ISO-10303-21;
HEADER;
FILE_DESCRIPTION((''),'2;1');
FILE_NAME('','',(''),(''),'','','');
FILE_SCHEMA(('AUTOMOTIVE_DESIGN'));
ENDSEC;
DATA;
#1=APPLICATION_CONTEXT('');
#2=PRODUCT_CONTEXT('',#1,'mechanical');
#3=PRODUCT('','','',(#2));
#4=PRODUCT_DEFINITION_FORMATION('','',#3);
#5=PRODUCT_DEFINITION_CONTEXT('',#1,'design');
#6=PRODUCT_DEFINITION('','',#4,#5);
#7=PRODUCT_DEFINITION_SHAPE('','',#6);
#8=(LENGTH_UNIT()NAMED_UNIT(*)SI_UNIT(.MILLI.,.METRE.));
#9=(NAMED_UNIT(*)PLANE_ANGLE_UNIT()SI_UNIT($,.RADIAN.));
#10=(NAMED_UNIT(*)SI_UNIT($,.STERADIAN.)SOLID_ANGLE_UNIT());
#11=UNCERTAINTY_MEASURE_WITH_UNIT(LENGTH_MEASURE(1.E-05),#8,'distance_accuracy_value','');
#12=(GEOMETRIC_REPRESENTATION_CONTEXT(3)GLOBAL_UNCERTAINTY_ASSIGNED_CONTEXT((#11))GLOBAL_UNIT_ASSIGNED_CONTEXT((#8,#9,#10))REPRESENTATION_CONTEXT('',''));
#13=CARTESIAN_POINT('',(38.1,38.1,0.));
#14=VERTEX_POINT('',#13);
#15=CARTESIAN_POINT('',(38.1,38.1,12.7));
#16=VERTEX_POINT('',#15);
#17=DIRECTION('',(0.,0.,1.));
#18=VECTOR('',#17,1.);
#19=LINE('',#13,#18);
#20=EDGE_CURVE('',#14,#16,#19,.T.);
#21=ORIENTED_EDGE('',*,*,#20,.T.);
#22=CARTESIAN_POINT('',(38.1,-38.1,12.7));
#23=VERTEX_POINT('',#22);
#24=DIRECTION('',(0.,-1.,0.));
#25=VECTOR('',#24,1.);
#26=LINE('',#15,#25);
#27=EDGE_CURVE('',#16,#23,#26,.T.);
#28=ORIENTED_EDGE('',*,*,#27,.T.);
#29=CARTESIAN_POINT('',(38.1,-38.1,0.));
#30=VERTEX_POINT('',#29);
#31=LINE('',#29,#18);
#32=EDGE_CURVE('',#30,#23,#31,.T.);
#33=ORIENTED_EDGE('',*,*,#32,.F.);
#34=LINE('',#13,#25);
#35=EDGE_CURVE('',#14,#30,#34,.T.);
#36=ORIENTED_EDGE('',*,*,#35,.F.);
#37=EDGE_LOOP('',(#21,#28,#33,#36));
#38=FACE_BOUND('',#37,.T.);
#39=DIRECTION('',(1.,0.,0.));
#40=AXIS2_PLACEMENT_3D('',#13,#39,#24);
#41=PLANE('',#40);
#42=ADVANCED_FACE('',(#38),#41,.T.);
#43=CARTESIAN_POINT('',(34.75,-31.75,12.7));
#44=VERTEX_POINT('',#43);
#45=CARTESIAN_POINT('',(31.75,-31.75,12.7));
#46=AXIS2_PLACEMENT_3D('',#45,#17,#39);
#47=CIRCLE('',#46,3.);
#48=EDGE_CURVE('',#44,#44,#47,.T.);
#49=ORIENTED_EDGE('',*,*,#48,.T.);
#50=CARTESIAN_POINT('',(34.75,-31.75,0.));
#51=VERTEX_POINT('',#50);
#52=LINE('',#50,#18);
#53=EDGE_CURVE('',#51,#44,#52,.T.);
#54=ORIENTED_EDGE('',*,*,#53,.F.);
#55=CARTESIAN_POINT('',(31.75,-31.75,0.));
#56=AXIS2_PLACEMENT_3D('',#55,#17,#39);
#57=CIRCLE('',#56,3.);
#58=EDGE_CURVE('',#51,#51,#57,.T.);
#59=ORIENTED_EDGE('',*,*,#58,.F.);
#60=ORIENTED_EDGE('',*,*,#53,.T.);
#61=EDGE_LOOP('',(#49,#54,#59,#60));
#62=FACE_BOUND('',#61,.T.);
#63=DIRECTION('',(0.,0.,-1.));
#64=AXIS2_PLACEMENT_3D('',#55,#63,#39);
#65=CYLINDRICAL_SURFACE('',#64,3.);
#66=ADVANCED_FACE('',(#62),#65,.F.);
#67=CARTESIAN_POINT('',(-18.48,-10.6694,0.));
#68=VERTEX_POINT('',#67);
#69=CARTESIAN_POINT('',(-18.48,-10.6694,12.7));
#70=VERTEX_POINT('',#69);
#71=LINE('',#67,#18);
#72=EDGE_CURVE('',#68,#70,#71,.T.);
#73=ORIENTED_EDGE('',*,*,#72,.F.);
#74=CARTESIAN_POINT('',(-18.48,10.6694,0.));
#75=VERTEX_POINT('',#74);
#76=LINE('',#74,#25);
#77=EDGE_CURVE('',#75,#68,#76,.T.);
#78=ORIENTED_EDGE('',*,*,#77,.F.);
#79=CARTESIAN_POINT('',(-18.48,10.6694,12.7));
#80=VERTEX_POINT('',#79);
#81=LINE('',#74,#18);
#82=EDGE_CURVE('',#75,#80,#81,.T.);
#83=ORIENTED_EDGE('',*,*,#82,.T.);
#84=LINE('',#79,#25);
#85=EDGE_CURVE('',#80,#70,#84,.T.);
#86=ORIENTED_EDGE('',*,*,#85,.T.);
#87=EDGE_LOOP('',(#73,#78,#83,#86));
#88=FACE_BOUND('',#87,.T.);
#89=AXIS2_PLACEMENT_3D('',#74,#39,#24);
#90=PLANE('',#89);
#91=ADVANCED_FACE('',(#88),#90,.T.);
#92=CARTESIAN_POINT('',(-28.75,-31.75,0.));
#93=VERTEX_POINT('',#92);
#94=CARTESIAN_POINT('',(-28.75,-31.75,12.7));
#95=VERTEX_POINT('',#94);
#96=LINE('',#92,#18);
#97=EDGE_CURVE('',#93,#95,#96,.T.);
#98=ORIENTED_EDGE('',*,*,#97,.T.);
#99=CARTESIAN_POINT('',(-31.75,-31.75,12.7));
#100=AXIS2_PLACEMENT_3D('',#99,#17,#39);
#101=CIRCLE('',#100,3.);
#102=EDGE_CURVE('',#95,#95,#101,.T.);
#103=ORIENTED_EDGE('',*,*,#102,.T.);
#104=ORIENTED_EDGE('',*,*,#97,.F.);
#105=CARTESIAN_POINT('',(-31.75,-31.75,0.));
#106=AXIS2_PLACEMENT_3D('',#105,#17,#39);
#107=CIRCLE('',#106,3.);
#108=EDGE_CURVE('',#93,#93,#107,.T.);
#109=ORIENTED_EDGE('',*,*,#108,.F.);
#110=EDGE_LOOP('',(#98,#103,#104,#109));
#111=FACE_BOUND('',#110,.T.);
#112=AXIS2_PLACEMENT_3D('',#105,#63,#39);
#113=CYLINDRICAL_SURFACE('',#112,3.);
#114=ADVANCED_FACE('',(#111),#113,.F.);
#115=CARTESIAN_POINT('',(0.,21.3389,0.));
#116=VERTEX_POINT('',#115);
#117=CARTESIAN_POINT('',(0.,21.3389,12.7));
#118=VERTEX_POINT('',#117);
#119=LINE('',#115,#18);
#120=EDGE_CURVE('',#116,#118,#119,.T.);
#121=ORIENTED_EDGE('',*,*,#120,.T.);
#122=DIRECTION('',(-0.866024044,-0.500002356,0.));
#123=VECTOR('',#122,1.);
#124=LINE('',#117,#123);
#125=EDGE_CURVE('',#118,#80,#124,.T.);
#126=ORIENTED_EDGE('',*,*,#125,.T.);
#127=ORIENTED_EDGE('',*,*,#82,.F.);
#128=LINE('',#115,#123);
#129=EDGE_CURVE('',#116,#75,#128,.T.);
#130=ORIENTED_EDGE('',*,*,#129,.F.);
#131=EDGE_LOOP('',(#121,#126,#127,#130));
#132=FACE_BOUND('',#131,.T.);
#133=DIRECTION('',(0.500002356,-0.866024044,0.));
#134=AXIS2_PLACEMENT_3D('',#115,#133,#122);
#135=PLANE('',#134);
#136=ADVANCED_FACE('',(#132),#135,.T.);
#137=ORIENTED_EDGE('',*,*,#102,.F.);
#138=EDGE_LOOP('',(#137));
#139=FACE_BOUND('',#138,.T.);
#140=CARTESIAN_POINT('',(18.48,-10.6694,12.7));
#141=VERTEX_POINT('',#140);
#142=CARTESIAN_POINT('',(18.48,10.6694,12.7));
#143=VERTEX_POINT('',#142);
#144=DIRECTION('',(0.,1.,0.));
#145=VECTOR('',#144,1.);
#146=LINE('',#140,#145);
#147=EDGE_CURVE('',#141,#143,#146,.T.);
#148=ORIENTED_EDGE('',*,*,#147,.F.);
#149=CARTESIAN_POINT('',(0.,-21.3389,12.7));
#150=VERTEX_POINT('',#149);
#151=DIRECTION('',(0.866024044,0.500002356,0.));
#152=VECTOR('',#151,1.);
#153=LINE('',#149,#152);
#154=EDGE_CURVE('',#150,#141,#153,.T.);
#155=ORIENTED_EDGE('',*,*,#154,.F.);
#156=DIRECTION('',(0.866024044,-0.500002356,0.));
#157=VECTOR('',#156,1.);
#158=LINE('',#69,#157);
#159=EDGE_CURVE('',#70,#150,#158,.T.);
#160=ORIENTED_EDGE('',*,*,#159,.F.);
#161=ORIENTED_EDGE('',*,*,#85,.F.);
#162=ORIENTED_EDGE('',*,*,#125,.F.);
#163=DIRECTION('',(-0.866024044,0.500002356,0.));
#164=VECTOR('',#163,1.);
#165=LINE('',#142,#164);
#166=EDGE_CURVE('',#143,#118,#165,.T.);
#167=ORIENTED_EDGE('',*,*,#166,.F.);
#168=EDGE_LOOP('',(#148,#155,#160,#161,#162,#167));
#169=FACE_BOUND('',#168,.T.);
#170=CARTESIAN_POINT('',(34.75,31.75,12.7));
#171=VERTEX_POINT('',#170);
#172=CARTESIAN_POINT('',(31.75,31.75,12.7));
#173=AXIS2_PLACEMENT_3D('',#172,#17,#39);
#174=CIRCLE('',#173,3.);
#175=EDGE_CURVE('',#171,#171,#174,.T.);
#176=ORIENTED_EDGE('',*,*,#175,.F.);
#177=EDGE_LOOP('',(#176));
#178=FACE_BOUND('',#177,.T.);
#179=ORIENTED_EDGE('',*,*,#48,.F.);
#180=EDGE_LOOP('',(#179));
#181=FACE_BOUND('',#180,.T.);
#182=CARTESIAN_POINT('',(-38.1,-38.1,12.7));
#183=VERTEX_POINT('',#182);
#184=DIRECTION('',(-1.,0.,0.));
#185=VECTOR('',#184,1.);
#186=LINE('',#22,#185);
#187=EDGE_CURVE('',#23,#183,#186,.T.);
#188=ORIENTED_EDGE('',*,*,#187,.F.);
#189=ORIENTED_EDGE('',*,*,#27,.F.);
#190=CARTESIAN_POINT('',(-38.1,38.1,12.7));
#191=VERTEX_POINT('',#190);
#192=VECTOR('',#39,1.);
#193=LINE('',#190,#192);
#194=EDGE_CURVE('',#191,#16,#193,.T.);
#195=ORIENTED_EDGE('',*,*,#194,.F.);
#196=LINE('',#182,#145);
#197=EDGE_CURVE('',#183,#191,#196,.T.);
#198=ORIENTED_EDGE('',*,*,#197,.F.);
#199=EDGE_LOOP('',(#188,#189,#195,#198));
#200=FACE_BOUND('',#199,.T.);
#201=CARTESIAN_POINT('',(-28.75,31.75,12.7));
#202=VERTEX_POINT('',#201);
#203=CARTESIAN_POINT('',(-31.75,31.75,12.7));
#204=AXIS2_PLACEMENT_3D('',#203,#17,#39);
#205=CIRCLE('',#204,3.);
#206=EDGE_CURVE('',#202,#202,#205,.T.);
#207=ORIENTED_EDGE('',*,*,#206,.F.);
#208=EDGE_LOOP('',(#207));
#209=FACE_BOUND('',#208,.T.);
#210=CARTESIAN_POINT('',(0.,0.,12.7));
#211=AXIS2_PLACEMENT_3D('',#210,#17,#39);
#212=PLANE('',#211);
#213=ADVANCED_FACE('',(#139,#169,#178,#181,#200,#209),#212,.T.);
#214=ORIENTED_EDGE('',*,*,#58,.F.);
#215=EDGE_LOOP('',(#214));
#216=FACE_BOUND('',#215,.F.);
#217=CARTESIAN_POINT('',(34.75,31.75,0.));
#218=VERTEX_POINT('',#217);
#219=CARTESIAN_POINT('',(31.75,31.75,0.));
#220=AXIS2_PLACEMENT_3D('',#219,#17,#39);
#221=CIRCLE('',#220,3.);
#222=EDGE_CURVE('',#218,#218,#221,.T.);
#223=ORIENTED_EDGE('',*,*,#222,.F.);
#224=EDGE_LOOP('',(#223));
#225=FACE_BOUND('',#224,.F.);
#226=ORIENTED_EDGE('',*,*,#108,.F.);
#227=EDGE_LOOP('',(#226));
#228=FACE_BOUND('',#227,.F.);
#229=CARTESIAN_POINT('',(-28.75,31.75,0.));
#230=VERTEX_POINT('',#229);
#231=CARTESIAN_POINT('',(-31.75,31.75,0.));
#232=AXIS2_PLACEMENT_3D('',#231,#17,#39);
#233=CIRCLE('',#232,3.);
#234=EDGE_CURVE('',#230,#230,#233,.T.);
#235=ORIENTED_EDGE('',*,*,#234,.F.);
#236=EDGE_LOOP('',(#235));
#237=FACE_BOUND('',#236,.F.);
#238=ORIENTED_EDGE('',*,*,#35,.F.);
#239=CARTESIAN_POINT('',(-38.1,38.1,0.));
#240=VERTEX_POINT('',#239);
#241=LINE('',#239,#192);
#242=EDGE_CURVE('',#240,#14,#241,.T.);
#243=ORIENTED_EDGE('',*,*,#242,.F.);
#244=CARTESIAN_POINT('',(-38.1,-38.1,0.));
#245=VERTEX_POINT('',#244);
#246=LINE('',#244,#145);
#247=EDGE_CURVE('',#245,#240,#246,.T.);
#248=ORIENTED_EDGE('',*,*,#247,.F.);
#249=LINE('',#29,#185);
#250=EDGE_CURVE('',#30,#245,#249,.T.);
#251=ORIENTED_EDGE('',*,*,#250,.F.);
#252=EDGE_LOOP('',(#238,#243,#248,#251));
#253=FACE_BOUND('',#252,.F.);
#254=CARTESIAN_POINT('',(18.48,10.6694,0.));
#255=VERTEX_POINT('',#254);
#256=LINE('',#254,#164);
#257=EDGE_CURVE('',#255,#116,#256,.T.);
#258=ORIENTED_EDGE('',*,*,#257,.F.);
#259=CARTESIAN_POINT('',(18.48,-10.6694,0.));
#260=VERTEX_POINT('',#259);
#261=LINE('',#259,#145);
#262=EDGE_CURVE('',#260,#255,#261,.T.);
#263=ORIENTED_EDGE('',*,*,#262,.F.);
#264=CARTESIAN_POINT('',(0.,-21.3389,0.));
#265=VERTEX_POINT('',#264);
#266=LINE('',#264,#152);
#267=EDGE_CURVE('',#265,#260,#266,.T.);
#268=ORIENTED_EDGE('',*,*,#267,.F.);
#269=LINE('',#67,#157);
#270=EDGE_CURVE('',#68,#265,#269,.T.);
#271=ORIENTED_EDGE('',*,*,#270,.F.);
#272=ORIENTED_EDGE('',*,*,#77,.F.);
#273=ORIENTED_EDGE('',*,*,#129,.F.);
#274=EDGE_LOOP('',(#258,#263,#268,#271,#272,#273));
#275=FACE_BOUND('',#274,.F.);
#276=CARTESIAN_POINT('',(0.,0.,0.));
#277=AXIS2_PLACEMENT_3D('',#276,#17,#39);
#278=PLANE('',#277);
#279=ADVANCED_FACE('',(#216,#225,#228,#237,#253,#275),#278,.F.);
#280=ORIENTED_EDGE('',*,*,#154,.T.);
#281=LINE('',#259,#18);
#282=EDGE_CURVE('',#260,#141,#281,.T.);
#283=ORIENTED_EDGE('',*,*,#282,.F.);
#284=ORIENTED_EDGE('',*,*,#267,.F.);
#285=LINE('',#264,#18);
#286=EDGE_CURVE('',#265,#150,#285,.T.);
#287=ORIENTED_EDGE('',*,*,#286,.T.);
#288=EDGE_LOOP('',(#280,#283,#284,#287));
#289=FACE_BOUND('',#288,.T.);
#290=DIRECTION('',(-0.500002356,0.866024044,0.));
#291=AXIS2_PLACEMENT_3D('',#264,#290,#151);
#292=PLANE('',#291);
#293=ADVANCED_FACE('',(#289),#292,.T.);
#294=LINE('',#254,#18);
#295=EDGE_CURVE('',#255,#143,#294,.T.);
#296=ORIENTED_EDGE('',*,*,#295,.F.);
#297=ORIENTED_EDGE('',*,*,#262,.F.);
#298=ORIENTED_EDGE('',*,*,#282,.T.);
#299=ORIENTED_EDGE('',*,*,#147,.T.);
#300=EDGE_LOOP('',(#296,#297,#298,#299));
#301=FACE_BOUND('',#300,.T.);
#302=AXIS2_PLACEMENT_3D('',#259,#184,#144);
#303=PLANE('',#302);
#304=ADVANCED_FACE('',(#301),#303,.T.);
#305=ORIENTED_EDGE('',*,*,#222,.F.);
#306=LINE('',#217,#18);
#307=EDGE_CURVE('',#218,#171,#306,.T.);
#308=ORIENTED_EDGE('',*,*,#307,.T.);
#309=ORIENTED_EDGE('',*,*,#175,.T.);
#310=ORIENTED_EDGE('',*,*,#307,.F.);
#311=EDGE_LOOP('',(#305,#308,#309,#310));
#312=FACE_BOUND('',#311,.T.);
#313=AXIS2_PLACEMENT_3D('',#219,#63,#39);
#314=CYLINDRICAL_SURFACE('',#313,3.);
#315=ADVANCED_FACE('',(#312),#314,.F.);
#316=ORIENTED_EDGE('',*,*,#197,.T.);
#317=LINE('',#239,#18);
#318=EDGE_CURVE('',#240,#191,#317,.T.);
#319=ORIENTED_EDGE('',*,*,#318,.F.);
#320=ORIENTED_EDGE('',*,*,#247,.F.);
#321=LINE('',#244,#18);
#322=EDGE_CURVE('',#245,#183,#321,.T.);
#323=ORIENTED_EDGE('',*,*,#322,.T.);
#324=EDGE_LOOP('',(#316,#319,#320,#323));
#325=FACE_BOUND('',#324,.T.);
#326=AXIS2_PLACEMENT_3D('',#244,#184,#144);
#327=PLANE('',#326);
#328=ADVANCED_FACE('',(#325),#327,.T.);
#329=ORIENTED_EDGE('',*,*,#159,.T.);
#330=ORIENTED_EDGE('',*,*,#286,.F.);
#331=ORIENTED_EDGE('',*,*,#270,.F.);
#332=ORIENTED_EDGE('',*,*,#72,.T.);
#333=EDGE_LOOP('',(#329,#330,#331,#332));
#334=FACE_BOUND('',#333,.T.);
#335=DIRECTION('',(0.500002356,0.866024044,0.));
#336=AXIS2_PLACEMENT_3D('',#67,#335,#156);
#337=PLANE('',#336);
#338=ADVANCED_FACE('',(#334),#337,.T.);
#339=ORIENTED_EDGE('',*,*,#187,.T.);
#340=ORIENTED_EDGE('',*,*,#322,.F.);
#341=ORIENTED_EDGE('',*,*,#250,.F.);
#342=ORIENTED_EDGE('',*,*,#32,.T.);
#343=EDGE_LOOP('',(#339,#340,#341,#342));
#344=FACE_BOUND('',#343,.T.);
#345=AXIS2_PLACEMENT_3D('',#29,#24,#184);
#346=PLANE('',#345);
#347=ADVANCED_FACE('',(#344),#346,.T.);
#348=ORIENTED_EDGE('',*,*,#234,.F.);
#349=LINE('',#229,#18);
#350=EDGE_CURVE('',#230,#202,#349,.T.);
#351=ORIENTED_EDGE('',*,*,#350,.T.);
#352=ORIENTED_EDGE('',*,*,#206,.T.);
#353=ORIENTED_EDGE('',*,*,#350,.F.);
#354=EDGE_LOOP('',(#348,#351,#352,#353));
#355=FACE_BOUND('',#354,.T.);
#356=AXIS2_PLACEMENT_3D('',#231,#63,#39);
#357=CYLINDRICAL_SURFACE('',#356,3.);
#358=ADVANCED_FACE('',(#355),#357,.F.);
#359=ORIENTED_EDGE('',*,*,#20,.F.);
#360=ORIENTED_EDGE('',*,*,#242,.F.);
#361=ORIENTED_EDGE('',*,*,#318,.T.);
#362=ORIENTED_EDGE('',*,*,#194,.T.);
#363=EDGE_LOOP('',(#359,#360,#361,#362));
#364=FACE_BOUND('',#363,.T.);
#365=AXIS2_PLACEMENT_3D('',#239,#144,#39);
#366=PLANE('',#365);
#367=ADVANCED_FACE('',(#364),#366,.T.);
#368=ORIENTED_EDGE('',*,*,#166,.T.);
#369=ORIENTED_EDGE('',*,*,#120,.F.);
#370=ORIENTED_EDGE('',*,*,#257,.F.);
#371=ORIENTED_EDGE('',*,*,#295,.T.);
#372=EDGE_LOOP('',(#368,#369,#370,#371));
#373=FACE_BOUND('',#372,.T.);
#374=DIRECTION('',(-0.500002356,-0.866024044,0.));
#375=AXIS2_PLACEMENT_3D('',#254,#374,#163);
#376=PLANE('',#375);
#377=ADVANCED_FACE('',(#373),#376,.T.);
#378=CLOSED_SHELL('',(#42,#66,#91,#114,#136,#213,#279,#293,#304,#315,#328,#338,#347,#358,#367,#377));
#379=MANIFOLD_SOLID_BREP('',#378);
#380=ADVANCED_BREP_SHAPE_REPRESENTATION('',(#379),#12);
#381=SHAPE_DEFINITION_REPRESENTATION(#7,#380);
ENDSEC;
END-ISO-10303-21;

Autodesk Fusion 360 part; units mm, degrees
sketch "Sketch1" plane through (0, 0, 0) normal (0, 0, 1) x (1, 0, 0)
  line L0 (18.48, 10.6694) -> (0, 21.3389)
  line L1 (0, 21.3389) -> (-18.48, 10.6694)
  line L2 (-18.48, 10.6694) -> (-18.48, -10.6694)
  line L3 (-18.48, -10.6694) -> (0, -21.3389)
  line L4 (0, -21.3389) -> (18.48, -10.6694)
  line L5 (18.48, -10.6694) -> (18.48, 10.6694)
  line L6 (38.1, -38.1) -> (-38.1, -38.1)
  line L7 (-38.1, -38.1) -> (-38.1, 38.1)
  line L8 (-38.1, 38.1) -> (38.1, 38.1)
  line L9 (38.1, 38.1) -> (38.1, -38.1)
  line L10 (38.1, -38.1) -> (-38.1, 38.1) construction
  line L11 (-38.1, -38.1) -> (38.1, 38.1) construction
  line L12 (31.75, 31.75) -> (-31.75, 31.75) construction
  line L13 (-31.75, 31.75) -> (-31.75, -31.75) construction
  line L14 (-31.75, -31.75) -> (31.75, -31.75) construction
  line L15 (31.75, -31.75) -> (31.75, 31.75) construction
  line L16 (31.75, 31.75) -> (-31.75, -31.75) construction
  line L17 (-31.75, 31.75) -> (31.75, -31.75) construction
  circle A0 centre (-31.75, 31.75) radius 3
  circle A1 centre (-31.75, -31.75) radius 3
  circle A2 centre (31.75, -31.75) radius 3
  circle A3 centre (31.75, 31.75) radius 3
  dimension "d1" = 18.48
  dimension "d2" = 76.2
  dimension "d3" = 76.2
  dimension "d4" = 63.5
  dimension "d5" = 63.5
  dimension "d6" = 6
  dimension "d8" = 360
extrude "Extrude1" add sketch "Sketch1" along normal blind 12.7
sketch "Sketch2" plane through (0, 0, 12.7) normal (0, 0, 1) x (-1, 0, 0)
  circle A0 centre (31.75, 31.75) radius 3
  circle A1 centre (-31.75, -31.75) radius 3
  line L0 (-18.48, -10.6694) -> (-18.48, 10.6694)
  line L1 (-18.48, 10.6694) -> (0, 21.3389)
  line L2 (0, 21.3389) -> (18.48, 10.6694)
  line L3 (18.48, 10.6694) -> (18.48, -10.6694)
  line L4 (18.48, -10.6694) -> (0, -21.3389)
  line L5 (0, -21.3389) -> (-18.48, -10.6694)
  circle A2 centre (-31.75, 31.75) radius 3
  circle A3 centre (31.75, -31.75) radius 3
  line L6 (-38.1, -38.1) -> (38.1, -38.1)
  line L7 (38.1, -38.1) -> (38.1, 38.1)
  line L8 (38.1, 38.1) -> (-38.1, 38.1)
  line L9 (-38.1, 38.1) -> (-38.1, -38.1)
